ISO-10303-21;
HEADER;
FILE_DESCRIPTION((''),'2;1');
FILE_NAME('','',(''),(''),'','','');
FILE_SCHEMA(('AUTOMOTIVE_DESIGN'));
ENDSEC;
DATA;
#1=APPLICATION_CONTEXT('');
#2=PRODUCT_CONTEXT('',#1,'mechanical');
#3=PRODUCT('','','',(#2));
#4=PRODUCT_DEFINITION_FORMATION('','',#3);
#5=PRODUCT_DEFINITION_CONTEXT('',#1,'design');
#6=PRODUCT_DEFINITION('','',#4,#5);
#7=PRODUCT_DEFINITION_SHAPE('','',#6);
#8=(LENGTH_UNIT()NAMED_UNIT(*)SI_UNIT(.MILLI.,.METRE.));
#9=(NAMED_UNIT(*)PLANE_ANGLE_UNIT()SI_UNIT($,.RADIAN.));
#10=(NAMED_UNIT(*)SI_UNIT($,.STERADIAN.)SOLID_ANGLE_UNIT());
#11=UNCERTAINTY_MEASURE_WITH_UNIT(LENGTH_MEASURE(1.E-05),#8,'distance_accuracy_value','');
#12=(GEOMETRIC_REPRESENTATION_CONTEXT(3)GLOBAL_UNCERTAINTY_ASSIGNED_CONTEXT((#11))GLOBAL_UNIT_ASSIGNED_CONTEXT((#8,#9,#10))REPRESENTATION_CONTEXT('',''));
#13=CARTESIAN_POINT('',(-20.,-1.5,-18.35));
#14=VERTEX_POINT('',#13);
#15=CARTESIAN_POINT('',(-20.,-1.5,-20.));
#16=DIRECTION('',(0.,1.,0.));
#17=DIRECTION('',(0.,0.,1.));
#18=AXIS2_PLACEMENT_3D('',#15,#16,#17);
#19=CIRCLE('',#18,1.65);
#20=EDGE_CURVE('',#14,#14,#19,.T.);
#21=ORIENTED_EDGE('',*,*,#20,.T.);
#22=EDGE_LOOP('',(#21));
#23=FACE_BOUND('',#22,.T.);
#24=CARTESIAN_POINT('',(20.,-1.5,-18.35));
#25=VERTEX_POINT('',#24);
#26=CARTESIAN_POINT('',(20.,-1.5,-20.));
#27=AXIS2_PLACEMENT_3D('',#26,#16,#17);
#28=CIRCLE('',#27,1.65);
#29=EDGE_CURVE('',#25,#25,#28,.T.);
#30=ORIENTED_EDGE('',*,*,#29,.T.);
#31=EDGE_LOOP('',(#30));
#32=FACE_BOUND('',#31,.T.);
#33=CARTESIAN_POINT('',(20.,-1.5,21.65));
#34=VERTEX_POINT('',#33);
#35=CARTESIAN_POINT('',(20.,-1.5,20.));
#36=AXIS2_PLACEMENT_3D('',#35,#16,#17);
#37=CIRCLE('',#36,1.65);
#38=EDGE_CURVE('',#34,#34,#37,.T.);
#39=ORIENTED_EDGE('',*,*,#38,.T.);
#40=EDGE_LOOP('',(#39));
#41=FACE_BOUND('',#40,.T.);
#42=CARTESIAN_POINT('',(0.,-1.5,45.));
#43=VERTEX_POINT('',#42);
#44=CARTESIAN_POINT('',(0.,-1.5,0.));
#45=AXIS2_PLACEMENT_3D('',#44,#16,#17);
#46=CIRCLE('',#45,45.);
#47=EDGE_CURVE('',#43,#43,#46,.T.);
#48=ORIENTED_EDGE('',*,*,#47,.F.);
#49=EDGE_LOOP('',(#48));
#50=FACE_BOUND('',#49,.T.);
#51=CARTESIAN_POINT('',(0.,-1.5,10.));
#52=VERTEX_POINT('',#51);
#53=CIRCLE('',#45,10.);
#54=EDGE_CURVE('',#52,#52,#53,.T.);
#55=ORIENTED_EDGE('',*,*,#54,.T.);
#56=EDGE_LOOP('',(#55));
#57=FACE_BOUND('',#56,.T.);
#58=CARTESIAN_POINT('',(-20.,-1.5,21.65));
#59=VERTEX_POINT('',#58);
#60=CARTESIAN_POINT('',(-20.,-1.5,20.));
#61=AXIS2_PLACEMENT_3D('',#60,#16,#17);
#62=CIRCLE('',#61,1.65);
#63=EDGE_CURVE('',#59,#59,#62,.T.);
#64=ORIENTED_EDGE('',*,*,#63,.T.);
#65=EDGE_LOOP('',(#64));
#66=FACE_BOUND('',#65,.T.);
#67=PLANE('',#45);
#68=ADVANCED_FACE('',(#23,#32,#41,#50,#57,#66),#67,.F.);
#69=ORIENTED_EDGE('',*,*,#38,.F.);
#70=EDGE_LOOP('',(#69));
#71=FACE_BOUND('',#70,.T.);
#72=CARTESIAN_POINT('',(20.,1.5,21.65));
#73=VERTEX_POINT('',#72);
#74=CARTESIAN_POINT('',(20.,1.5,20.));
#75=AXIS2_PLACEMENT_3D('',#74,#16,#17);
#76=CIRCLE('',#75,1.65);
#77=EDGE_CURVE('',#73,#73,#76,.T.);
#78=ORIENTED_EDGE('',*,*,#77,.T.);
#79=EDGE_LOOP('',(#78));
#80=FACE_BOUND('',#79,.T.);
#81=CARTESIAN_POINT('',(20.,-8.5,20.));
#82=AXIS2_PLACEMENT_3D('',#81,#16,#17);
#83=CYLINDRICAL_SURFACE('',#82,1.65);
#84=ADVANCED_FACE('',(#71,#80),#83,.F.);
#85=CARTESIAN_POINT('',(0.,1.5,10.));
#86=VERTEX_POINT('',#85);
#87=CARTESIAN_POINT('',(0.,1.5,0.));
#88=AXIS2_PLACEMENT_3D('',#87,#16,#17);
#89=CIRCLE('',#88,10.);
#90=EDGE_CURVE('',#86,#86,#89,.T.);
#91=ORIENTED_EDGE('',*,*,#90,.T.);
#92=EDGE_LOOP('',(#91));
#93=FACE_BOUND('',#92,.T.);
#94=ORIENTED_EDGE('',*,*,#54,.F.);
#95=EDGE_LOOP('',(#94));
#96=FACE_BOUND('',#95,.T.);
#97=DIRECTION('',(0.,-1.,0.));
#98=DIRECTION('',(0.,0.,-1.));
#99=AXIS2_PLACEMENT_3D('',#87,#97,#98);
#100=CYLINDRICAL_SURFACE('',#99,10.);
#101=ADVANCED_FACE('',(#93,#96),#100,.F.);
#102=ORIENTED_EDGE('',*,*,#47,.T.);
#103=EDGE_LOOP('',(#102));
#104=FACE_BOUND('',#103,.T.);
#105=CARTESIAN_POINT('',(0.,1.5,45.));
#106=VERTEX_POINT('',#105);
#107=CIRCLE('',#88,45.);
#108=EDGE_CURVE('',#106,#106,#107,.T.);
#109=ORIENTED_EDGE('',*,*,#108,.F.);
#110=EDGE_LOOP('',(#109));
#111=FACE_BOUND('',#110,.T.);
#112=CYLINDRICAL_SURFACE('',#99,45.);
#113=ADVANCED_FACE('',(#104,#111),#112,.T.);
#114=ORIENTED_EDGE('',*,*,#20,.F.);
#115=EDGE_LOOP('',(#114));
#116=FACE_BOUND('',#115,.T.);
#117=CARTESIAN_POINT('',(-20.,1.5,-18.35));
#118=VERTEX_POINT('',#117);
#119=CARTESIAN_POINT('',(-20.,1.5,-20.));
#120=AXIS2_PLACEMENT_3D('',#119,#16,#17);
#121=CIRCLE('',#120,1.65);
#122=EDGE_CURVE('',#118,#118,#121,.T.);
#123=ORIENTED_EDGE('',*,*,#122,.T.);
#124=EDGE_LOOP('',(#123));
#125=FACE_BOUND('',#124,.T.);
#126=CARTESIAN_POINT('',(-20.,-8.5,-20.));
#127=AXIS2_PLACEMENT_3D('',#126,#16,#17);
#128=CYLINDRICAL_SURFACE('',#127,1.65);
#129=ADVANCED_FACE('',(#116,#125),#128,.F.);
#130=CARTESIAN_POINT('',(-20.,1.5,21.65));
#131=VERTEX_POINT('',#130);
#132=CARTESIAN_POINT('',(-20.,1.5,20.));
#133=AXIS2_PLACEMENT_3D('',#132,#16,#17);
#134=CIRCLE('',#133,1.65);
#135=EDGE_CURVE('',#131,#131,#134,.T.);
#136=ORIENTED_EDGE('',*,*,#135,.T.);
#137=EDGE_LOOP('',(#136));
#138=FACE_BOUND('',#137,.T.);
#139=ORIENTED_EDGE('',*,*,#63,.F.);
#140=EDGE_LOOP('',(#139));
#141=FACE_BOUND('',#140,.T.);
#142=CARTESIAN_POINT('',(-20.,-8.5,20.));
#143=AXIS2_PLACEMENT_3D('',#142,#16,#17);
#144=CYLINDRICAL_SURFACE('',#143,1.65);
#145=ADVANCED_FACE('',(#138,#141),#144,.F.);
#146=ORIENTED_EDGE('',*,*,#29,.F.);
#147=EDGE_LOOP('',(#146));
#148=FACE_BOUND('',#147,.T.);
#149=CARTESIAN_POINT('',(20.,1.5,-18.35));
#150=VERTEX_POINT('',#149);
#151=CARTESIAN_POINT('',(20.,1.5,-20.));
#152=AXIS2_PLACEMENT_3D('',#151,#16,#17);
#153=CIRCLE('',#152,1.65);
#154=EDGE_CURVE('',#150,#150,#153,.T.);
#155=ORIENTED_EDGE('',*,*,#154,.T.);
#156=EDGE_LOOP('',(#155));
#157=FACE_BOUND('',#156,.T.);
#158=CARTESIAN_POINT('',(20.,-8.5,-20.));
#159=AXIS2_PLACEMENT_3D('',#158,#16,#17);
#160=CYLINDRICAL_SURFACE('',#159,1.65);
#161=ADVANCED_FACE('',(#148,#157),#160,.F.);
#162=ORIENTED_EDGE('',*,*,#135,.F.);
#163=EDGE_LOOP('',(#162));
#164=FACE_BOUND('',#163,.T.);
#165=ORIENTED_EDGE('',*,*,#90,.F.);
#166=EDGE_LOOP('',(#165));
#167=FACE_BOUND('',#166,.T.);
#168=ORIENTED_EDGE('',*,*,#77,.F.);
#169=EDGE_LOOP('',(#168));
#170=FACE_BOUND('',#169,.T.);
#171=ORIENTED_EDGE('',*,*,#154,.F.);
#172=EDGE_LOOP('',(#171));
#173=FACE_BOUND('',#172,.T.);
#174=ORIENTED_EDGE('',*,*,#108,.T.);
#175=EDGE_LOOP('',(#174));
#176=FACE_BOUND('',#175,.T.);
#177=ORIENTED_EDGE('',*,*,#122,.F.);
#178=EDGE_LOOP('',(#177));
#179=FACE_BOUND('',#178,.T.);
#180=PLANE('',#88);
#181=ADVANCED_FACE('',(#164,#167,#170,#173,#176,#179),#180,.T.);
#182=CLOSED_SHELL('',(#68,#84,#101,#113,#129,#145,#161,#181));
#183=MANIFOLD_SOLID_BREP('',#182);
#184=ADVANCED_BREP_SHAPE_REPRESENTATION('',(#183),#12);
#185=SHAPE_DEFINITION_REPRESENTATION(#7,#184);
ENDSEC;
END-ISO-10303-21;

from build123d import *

# Parameters (mm, degrees)
SKETCH1_R           = 45
SKETCH1_R_2         = 10
BOSS_EXTRUDE1_DEPTH = 1.5
SKETCH2_R           = 1.65
CUT_EXTRUDE1_DEPTH  = 10


with BuildPart() as part:
    # Sketch1 → Boss-Extrude1 (new, symmetric)
    with BuildSketch(Plane(origin=(0, 0, 0), x_dir=(1, 0, 0), z_dir=(0, 1, 0))):
        with Locations(Location((0, 0, 0), (0, 0, 270))):
            Circle(SKETCH1_R)
        with Locations(Location((0, 0, 0), (0, 0, 270))):
            Circle(SKETCH1_R_2, mode=Mode.SUBTRACT)
    extrude(amount=BOSS_EXTRUDE1_DEPTH, both=True)

    # Sketch2 → Cut-Extrude1 (cut)
    with BuildSketch(Plane(origin=(0, 1.5, 0), x_dir=(1, 0, 0), z_dir=(0, 1, 0))):
        with Locations(Location((-20, -20, 0), (0, 0, 270))):
            Circle(SKETCH2_R)
        with Locations(Location((-20, 20, 0), (0, 0, 270))):
            Circle(SKETCH2_R)
        with Locations(Location((20, 20, 0), (0, 0, 270))):
            Circle(SKETCH2_R)
        with Locations(Location((20, -20, 0), (0, 0, 270))):
            Circle(SKETCH2_R)
    extrude(amount=-CUT_EXTRUDE1_DEPTH, mode=Mode.SUBTRACT)


solid = part.part
